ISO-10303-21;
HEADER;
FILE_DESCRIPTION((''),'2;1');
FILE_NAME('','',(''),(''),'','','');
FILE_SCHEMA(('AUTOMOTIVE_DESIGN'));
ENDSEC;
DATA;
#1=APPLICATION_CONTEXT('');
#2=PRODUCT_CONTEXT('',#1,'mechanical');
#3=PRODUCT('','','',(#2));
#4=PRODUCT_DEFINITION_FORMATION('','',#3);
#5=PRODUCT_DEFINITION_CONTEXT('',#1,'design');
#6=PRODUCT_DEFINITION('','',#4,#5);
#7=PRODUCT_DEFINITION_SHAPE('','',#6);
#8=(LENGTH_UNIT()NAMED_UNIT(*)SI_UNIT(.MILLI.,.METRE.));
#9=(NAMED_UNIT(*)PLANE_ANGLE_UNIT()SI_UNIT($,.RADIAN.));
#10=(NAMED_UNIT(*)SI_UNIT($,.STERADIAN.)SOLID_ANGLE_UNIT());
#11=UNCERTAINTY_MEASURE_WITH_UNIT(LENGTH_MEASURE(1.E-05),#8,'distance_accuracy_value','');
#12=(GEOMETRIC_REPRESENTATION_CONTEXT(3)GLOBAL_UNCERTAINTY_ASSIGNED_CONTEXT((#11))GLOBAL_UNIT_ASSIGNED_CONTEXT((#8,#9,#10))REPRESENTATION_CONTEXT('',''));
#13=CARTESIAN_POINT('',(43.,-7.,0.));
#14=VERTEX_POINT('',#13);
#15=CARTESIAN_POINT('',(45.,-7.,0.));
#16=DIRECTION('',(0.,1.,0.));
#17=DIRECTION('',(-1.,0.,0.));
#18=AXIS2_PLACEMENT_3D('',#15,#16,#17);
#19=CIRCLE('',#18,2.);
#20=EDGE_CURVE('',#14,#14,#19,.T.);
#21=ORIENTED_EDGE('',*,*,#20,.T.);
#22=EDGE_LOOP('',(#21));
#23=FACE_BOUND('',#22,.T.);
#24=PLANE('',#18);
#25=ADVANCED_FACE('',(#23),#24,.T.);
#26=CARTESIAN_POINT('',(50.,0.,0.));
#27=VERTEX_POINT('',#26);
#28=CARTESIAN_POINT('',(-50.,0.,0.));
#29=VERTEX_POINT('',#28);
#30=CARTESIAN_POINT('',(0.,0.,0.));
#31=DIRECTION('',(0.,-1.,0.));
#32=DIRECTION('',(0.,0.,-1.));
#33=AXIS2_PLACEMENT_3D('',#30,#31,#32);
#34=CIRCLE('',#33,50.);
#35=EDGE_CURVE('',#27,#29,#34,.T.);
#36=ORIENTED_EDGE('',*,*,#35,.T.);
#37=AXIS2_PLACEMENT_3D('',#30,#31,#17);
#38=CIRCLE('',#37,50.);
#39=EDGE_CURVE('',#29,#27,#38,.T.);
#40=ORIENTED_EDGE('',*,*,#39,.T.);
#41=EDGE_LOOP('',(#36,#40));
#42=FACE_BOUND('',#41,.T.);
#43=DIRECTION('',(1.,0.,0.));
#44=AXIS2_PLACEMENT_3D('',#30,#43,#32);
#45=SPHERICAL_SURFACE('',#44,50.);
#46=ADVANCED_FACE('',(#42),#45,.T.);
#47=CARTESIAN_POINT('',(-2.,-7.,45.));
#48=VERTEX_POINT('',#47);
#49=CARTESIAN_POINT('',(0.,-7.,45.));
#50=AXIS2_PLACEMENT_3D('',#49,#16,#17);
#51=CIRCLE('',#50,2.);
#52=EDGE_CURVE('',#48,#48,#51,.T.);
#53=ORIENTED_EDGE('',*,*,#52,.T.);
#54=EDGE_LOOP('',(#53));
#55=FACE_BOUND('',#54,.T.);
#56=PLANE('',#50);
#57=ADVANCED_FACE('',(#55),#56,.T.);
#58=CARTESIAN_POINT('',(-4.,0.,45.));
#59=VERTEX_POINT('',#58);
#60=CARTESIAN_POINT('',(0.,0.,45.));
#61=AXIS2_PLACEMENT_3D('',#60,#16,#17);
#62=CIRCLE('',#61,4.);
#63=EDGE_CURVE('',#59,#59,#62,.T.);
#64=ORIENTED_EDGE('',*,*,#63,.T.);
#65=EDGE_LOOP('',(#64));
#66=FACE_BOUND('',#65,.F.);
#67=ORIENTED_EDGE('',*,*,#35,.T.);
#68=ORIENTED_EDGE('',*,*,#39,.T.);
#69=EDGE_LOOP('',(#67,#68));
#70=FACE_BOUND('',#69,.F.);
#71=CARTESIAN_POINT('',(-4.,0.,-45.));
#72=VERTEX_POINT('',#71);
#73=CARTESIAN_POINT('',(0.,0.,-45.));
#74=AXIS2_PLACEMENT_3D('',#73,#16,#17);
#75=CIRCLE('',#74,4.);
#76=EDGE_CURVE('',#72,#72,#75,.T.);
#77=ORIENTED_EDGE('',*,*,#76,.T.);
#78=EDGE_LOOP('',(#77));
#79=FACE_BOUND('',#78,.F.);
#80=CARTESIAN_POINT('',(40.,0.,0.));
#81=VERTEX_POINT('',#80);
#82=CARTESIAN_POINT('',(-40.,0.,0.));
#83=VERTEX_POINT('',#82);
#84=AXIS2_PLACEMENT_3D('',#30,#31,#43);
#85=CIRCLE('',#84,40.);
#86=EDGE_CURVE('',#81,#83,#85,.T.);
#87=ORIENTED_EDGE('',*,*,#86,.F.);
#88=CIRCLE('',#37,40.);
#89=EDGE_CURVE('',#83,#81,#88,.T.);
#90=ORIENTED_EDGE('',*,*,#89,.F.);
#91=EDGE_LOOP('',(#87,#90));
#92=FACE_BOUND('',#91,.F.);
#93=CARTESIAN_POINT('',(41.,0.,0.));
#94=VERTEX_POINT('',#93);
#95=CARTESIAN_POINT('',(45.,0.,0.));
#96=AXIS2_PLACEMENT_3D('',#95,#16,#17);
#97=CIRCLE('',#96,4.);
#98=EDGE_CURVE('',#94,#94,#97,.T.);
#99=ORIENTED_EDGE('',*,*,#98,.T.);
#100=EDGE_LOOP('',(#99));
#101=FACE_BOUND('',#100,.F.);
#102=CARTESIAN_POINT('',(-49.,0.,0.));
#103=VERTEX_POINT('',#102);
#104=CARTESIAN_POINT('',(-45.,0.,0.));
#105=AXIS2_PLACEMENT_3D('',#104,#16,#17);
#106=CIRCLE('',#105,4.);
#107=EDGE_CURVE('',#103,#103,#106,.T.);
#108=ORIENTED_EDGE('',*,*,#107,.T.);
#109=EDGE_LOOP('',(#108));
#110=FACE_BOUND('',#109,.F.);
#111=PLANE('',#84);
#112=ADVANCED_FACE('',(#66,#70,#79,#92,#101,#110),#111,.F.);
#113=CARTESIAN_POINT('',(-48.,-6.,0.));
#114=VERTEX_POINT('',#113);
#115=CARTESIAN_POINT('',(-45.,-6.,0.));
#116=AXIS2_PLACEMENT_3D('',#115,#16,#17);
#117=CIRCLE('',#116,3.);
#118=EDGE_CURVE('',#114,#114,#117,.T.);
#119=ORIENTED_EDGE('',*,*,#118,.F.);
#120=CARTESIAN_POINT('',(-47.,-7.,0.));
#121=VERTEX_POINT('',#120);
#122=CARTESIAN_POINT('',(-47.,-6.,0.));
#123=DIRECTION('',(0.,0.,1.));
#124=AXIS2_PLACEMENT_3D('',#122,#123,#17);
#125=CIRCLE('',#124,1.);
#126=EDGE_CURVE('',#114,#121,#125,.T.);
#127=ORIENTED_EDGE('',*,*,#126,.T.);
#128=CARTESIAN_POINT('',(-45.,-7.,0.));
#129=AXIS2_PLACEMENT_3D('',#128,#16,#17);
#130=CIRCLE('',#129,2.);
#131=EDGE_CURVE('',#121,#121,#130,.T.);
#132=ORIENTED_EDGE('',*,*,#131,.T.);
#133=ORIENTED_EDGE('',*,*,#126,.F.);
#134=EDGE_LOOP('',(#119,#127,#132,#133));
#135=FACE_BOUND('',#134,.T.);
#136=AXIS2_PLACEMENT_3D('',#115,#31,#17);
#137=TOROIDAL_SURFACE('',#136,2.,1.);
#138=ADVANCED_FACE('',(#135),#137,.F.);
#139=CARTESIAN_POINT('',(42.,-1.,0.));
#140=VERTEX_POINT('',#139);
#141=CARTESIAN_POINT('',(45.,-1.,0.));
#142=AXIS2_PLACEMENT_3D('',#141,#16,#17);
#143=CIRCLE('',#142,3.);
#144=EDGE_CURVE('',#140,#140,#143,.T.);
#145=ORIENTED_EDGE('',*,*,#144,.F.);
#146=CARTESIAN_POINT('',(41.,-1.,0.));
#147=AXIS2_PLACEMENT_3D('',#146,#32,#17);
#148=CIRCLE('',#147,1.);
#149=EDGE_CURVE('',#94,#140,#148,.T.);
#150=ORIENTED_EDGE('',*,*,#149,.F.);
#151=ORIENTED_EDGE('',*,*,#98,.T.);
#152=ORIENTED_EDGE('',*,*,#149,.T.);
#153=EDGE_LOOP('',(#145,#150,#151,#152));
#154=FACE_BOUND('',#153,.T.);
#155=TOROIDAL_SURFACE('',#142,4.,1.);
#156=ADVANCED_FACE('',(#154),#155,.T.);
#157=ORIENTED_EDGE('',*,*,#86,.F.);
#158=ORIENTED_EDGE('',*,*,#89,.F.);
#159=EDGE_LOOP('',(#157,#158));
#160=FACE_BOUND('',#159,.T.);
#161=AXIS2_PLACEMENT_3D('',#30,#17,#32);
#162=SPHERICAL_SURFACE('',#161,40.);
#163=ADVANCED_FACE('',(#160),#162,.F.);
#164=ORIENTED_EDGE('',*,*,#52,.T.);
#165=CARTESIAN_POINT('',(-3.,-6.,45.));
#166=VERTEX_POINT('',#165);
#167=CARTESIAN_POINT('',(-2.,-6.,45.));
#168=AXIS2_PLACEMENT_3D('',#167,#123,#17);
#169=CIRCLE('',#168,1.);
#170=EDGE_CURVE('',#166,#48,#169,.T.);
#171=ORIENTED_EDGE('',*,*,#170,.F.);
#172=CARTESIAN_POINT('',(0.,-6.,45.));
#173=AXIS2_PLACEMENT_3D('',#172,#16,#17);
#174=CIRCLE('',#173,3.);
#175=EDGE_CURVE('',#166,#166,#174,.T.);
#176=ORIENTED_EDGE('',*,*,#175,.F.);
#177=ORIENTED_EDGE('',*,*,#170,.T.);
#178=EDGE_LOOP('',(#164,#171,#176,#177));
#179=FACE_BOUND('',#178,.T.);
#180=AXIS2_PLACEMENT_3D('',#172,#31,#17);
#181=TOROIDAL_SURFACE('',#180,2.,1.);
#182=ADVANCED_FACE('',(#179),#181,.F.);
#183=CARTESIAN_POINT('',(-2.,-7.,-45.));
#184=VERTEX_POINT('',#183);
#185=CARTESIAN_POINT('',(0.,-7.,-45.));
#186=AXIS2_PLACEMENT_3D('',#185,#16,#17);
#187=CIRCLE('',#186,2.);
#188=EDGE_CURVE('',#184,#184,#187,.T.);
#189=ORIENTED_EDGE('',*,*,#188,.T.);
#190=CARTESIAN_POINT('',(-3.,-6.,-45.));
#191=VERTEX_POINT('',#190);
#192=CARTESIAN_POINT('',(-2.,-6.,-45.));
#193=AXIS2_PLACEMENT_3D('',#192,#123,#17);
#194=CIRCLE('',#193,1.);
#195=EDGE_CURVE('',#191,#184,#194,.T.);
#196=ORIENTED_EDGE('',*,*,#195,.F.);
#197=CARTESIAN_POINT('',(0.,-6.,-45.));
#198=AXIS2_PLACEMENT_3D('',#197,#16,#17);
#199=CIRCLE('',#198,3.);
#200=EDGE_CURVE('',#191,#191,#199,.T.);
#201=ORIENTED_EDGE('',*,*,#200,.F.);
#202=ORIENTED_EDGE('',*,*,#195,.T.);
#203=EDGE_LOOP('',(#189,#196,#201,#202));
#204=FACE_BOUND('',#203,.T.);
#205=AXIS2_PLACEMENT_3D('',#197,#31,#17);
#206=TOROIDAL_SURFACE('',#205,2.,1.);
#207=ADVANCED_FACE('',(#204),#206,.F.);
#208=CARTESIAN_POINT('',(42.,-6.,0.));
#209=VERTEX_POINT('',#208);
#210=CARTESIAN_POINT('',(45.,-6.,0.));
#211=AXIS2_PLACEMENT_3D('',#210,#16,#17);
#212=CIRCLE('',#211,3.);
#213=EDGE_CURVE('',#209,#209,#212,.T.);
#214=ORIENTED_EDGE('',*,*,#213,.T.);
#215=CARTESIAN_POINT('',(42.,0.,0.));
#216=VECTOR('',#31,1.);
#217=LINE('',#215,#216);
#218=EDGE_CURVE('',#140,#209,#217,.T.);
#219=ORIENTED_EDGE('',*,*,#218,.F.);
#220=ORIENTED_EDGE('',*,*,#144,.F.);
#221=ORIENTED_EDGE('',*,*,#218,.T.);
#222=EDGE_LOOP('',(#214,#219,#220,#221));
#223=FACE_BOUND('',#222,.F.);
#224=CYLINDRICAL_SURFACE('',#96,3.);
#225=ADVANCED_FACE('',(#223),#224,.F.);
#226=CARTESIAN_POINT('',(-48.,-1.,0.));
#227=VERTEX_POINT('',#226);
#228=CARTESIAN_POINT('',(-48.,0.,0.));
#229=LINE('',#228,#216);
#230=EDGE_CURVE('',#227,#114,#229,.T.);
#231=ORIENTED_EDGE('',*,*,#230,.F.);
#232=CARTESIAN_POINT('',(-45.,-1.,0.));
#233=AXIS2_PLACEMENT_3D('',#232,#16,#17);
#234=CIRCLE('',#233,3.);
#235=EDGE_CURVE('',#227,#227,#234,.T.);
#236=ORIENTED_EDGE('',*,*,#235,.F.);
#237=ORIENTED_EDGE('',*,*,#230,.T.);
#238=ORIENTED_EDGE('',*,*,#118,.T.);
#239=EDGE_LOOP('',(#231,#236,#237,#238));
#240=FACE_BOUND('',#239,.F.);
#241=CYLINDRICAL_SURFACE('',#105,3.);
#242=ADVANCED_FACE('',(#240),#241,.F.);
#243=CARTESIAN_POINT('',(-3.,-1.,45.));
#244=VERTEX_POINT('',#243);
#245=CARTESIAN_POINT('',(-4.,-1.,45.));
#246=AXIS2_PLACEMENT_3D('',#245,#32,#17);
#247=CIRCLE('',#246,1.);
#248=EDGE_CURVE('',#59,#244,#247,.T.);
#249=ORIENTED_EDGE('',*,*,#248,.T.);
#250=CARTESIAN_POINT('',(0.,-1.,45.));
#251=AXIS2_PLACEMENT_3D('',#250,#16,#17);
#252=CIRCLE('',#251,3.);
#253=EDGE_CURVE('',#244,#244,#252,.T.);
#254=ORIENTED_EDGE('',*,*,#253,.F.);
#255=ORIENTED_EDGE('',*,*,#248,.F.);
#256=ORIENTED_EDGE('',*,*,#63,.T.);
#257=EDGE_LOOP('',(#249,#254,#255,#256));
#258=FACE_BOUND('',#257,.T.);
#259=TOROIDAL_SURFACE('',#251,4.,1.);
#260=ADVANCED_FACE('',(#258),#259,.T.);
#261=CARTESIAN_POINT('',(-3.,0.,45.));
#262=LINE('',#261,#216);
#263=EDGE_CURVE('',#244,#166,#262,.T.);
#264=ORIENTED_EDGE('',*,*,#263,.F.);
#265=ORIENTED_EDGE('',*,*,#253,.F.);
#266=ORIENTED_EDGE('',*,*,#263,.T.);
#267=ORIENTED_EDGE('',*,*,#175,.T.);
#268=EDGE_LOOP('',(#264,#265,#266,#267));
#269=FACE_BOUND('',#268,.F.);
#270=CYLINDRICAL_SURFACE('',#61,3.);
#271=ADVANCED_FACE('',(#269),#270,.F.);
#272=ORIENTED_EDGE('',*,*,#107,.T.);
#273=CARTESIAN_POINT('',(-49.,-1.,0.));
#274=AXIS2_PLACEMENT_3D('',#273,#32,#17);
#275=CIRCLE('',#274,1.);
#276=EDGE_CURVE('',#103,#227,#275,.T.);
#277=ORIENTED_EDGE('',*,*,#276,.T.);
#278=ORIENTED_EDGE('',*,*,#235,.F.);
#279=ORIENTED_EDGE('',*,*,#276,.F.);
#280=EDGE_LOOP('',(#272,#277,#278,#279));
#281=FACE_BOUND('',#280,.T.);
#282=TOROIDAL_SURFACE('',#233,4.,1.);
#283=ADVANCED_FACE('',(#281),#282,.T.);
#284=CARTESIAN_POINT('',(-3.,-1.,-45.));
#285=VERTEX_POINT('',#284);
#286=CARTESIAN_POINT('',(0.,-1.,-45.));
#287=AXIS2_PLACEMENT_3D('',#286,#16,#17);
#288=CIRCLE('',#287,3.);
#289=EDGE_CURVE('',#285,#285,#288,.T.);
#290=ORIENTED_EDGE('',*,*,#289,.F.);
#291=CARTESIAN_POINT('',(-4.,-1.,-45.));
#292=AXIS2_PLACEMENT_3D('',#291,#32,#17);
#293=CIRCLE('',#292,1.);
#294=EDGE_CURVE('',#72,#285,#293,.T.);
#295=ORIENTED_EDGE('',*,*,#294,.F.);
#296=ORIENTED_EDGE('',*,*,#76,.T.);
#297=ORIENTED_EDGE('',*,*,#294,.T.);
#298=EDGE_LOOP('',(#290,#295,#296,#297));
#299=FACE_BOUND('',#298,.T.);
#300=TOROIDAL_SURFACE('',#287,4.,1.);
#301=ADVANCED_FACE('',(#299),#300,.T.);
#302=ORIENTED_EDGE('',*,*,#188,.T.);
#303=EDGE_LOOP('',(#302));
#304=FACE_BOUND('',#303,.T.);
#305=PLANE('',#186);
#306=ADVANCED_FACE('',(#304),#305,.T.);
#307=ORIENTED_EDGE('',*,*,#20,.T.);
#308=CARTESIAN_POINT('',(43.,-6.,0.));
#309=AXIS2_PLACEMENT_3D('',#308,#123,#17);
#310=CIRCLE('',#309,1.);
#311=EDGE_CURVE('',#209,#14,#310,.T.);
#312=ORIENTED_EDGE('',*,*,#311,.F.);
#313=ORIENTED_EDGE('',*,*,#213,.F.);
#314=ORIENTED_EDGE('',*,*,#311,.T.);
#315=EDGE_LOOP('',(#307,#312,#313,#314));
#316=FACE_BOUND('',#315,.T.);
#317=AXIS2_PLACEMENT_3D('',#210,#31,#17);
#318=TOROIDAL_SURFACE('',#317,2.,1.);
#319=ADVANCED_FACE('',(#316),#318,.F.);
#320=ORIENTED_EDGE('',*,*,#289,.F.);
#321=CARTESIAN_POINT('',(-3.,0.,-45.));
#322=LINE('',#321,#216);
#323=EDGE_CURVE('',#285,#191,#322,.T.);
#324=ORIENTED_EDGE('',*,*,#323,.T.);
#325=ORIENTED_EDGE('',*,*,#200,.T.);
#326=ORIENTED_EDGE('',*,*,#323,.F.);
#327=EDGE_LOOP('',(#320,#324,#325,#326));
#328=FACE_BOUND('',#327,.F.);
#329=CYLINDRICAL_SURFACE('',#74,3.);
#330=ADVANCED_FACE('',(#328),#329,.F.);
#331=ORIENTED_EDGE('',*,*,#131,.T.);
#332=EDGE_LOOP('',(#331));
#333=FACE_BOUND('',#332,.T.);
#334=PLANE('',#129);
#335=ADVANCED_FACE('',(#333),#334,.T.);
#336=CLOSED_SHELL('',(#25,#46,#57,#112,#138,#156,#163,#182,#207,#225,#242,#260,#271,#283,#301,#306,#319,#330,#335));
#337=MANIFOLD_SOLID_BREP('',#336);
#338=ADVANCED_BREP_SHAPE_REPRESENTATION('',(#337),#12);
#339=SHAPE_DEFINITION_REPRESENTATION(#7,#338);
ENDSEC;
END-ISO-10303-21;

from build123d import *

# Parameters (mm, degrees)
F4_W     = 60
F4_H     = 60
F5_DEPTH = 30
F6_W     = 150
F6_H     = 150
F7_DEPTH = 65.75
F8_R     = 3
F9_DEPTH = 7
F10_R    = 1


with BuildPart() as f3:
    # F0 (on Front) → F3 (revolve)
    with BuildSketch(Plane.XZ):
        with BuildLine():
            Line((-40, 0), (-50, 0))
            ThreePointArc((-50, 0), (0, -50), (50, 0))
            Line((50, 0), (40, 0))
            ThreePointArc((40, 0), (0, -40), (-40, 0))
        make_face()
    revolve(axis=Axis((0.232987, 0, 0), (1, 0, 0)))

    # F4 (on Front) → F5 (cut)
    with BuildSketch(Plane.XZ):
        Rectangle(F4_W, F4_H)
    extrude(amount=-F5_DEPTH, mode=Mode.SUBTRACT)

    # F6 (on Front) → F7 (cut)
    with BuildSketch(Plane.XZ):
        Rectangle(F6_W, F6_H)
    extrude(amount=-F7_DEPTH, mode=Mode.SUBTRACT)

    # F8 (on face) → F9 (cut)
    with BuildSketch(Plane(origin=(0, 0, 0), x_dir=(-1, 0, 0), z_dir=(0, 1, 0))):
        with Locations((45, 0)):
            Circle(F8_R)
        with Locations((-45, 0)):
            Circle(F8_R)
        with Locations((0, -45)):
            Circle(F8_R)
        with Locations((0, 45)):
            Circle(F8_R)
    extrude(amount=-F9_DEPTH, mode=Mode.SUBTRACT)

    # F10
    f10_edges = [f3.edges().sort_by_distance(p)[0] for p in [
        (48, 0, 0),
        (48, -7, 0),
        (3, 0, 45),
        (3, -7, 45),
        (-42, 0, 0),
        (-42, -7, 0),
        (3, 0, -45),
        (3, -7, -45),
    ]]
    fillet(f10_edges, radius=F10_R)


solid = f3.part
